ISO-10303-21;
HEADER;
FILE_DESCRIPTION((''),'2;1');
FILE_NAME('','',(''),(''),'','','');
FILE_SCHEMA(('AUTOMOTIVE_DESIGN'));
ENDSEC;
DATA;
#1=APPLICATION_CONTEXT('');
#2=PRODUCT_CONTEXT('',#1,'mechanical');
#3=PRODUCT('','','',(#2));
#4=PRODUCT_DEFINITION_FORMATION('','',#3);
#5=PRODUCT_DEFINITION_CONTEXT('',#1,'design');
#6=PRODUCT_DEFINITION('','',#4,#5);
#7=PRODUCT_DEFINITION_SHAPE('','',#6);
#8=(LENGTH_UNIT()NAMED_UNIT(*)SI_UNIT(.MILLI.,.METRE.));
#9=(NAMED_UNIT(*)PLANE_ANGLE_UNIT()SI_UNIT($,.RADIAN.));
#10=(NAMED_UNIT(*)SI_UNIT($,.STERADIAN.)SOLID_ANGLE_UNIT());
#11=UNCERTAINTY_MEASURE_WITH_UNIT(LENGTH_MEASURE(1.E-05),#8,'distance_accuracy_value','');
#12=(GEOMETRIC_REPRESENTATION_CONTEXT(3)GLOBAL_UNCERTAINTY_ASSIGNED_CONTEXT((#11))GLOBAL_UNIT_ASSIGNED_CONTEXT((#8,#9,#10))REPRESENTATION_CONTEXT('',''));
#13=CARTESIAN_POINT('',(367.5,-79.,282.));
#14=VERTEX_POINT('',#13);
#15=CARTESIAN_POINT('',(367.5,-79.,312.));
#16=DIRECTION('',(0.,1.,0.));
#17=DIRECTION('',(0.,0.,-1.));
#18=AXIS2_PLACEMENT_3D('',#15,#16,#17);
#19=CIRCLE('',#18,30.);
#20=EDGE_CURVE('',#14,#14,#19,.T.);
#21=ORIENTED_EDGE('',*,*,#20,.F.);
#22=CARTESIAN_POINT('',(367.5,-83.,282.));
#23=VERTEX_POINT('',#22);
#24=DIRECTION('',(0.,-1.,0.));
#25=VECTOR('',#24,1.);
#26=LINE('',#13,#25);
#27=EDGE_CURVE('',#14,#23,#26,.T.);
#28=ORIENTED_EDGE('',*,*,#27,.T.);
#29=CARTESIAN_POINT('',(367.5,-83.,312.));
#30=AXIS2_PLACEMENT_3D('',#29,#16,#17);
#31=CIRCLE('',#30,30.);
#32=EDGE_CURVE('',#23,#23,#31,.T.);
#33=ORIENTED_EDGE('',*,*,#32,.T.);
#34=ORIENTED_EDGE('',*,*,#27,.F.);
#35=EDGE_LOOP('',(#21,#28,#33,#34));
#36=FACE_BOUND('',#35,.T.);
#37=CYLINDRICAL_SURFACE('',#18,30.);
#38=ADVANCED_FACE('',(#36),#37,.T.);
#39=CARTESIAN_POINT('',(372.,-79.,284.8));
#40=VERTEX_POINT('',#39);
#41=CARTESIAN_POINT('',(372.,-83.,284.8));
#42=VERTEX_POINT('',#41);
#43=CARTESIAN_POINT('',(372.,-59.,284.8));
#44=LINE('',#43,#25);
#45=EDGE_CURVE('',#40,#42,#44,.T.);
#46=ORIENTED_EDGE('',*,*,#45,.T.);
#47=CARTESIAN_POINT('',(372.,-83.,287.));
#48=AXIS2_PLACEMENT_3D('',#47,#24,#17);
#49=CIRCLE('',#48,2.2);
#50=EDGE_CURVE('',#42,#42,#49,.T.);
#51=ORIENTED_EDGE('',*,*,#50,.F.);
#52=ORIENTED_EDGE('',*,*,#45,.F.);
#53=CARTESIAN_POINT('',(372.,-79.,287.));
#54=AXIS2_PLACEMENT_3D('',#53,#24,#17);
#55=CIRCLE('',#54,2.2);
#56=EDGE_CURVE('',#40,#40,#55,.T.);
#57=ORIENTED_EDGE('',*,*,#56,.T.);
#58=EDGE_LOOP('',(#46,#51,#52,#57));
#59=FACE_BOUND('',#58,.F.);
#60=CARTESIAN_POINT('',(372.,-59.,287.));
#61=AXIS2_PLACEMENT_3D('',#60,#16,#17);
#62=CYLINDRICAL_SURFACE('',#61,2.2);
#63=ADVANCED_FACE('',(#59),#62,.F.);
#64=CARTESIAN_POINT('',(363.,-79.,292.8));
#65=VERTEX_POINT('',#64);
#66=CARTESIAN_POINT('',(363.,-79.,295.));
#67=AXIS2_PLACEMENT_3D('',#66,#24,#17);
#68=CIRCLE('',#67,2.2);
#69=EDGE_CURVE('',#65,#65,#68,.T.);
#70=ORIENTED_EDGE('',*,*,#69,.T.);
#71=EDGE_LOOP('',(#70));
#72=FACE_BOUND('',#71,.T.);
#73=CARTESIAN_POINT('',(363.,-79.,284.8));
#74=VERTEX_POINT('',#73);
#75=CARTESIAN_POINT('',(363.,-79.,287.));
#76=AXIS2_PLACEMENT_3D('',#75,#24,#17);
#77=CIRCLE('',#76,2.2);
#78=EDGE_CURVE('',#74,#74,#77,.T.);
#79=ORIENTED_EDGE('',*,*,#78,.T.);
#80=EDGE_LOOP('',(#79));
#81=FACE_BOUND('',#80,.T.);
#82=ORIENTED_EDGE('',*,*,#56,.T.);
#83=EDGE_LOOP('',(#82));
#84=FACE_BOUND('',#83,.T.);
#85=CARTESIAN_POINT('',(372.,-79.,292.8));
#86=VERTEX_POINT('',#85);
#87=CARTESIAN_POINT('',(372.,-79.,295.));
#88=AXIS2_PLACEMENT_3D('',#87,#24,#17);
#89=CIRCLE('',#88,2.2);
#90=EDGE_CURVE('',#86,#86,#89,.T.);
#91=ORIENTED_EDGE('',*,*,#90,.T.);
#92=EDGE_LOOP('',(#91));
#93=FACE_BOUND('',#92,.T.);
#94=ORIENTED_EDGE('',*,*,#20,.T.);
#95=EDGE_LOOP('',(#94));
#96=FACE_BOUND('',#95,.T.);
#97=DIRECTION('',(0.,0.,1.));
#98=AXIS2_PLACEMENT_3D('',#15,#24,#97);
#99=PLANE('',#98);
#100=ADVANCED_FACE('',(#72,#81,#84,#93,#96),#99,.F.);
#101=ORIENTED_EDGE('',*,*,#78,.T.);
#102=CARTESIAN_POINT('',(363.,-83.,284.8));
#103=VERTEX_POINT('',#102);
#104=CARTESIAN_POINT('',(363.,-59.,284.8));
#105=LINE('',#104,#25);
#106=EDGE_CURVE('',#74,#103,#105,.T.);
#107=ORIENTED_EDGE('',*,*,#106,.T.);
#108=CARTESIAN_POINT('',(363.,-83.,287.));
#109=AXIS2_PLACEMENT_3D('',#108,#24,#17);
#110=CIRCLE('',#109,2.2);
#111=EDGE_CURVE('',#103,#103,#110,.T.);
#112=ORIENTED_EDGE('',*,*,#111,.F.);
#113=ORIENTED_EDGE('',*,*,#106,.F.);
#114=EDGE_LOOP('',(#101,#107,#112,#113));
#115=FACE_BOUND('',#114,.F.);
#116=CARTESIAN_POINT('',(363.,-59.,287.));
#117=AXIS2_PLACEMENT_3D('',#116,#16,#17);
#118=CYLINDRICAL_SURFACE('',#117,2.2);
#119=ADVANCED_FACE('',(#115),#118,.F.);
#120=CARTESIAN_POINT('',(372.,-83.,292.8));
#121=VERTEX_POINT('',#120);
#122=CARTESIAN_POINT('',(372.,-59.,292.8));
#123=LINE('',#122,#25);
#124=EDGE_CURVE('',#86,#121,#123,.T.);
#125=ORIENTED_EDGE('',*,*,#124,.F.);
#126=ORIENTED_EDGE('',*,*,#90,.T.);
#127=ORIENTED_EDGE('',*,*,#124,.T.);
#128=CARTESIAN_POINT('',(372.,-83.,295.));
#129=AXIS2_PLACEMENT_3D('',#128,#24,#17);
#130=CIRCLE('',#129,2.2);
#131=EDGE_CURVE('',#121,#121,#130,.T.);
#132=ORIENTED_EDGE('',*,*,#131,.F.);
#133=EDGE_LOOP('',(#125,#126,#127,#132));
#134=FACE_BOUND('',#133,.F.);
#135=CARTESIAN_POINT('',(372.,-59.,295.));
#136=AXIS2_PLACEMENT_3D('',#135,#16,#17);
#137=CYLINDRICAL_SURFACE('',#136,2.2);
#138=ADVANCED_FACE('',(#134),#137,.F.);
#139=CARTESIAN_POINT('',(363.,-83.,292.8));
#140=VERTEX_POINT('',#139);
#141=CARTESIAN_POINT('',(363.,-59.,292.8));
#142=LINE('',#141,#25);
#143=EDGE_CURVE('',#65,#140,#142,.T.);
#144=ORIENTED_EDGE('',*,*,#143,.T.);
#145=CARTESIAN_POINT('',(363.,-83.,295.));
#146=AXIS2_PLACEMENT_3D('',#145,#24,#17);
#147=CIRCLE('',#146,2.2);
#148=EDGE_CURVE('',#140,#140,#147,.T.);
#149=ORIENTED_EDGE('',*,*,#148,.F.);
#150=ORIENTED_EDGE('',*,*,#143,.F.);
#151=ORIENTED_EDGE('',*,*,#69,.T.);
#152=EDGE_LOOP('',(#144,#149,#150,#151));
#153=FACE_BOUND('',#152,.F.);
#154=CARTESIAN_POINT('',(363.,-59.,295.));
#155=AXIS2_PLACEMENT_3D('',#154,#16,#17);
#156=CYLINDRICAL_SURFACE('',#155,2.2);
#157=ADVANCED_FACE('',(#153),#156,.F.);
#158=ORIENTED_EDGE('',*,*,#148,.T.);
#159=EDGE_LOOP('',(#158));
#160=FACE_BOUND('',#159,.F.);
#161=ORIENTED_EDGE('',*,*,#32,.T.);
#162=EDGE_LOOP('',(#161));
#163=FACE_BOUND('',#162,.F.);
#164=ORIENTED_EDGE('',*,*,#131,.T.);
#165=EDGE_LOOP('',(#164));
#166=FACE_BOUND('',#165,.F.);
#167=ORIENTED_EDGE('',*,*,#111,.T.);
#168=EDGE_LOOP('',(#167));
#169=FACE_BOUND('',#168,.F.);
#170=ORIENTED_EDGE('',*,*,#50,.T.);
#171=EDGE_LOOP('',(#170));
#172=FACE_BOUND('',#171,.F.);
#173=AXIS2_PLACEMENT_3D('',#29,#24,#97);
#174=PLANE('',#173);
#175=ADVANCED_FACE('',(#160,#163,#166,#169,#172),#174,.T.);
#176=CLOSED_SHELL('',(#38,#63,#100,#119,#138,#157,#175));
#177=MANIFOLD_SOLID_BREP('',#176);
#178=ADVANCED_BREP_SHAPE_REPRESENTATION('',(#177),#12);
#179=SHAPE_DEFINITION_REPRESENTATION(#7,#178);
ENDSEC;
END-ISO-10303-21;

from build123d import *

# Parameters (mm, degrees)
CYLINDER048_R                 = 2.2
CYLINDER048_DEPTH             = 26
CYLINDER048_ROLL_ANGLE        = -90
ARRAY012_X_COUNT              = 2
ARRAY012_X_PITCH              = 8
ARRAY012_Z_COUNT              = 2
ARRAY012_Z_PITCH              = 9
CYLINDER047_R                 = 30
CYLINDER047_DEPTH             = 4
CYLINDER047_ROLL_ANGLE        = -90
PART_MIRRORING008_PITCH_ANGLE = 90


with BuildPart() as taladros_suje_traccion007:
    # Cylinder048 → Cylinder048 (new body)
    with BuildSketch(Plane.XY):
        Circle(CYLINDER048_R)
    extrude(amount=CYLINDER048_DEPTH)


with BuildPart() as taladros_suje_traccion007_1:
    # Cylinder048 roll: moved
    add(taladros_suje_traccion007.part.rotate(Axis((0, 0, 0), (1, 0, 0)), CYLINDER048_ROLL_ANGLE))


with BuildPart() as taladros_suje_traccion007_2:
    # Cylinder048 placement: moved
    add(taladros_suje_traccion007_1.part.moved(Location((202, 0, 4))))

    # Array012 X: Taladros_suje_traccion007 ×2


with BuildPart() as taladros_suje_traccion007_3:
    add(taladros_suje_traccion007_2.part)
    with Locations(*[(i * ARRAY012_X_PITCH, 0, 0) for i in range(1, ARRAY012_X_COUNT)]):
        add(taladros_suje_traccion007_2.part)

    # Array012 Z: Taladros_suje_traccion007 ×2


with BuildPart() as taladros_suje_traccion007_4:
    add(taladros_suje_traccion007_3.part)
    with Locations(*[(0, 0, i * ARRAY012_Z_PITCH) for i in range(1, ARRAY012_Z_COUNT)]):
        add(taladros_suje_traccion007_3.part)


with BuildPart() as traccion003:
    # Cylinder047 → Cylinder047 (new body)
    with BuildSketch(Plane.XY):
        Circle(CYLINDER047_R)
    extrude(amount=CYLINDER047_DEPTH)


with BuildPart() as traccion003_1:
    # Cylinder047 roll: moved
    add(traccion003.part.rotate(Axis((0, 0, 0), (1, 0, 0)), CYLINDER047_ROLL_ANGLE))


with BuildPart() as traccion003_2:
    # Cylinder047 placement: moved
    add(traccion003_1.part.moved(Location((185, 20, 8.5))))

    # Cut030: cut Taladros_suje_traccion007
    add(taladros_suje_traccion007_4.part, mode=Mode.SUBTRACT)


with BuildPart() as traccion003_3:
    # Cut030 placement: moved
    add(traccion003_2.part.moved(Location((-171, -4, 0))))


with BuildPart() as part_mirroring008:
    # Part__Mirroring008: instance of Traccion003
    add(traccion003_3.part.mirror(Plane(origin=(0, 0, 0), x_dir=(1, 0, 0), z_dir=(0, 1, 0))))


with BuildPart() as part_mirroring008_1:
    # Part__Mirroring008 pitch: moved
    add(part_mirroring008.part.rotate(Axis((0, 0, 0), (0, 1, 0)), PART_MIRRORING008_PITCH_ANGLE))


with BuildPart() as part_mirroring008_2:
    # Part__Mirroring008 placement: moved
    add(part_mirroring008_1.part.moved(Location((359, -63, 326))))


solid = part_mirroring008_2.part
